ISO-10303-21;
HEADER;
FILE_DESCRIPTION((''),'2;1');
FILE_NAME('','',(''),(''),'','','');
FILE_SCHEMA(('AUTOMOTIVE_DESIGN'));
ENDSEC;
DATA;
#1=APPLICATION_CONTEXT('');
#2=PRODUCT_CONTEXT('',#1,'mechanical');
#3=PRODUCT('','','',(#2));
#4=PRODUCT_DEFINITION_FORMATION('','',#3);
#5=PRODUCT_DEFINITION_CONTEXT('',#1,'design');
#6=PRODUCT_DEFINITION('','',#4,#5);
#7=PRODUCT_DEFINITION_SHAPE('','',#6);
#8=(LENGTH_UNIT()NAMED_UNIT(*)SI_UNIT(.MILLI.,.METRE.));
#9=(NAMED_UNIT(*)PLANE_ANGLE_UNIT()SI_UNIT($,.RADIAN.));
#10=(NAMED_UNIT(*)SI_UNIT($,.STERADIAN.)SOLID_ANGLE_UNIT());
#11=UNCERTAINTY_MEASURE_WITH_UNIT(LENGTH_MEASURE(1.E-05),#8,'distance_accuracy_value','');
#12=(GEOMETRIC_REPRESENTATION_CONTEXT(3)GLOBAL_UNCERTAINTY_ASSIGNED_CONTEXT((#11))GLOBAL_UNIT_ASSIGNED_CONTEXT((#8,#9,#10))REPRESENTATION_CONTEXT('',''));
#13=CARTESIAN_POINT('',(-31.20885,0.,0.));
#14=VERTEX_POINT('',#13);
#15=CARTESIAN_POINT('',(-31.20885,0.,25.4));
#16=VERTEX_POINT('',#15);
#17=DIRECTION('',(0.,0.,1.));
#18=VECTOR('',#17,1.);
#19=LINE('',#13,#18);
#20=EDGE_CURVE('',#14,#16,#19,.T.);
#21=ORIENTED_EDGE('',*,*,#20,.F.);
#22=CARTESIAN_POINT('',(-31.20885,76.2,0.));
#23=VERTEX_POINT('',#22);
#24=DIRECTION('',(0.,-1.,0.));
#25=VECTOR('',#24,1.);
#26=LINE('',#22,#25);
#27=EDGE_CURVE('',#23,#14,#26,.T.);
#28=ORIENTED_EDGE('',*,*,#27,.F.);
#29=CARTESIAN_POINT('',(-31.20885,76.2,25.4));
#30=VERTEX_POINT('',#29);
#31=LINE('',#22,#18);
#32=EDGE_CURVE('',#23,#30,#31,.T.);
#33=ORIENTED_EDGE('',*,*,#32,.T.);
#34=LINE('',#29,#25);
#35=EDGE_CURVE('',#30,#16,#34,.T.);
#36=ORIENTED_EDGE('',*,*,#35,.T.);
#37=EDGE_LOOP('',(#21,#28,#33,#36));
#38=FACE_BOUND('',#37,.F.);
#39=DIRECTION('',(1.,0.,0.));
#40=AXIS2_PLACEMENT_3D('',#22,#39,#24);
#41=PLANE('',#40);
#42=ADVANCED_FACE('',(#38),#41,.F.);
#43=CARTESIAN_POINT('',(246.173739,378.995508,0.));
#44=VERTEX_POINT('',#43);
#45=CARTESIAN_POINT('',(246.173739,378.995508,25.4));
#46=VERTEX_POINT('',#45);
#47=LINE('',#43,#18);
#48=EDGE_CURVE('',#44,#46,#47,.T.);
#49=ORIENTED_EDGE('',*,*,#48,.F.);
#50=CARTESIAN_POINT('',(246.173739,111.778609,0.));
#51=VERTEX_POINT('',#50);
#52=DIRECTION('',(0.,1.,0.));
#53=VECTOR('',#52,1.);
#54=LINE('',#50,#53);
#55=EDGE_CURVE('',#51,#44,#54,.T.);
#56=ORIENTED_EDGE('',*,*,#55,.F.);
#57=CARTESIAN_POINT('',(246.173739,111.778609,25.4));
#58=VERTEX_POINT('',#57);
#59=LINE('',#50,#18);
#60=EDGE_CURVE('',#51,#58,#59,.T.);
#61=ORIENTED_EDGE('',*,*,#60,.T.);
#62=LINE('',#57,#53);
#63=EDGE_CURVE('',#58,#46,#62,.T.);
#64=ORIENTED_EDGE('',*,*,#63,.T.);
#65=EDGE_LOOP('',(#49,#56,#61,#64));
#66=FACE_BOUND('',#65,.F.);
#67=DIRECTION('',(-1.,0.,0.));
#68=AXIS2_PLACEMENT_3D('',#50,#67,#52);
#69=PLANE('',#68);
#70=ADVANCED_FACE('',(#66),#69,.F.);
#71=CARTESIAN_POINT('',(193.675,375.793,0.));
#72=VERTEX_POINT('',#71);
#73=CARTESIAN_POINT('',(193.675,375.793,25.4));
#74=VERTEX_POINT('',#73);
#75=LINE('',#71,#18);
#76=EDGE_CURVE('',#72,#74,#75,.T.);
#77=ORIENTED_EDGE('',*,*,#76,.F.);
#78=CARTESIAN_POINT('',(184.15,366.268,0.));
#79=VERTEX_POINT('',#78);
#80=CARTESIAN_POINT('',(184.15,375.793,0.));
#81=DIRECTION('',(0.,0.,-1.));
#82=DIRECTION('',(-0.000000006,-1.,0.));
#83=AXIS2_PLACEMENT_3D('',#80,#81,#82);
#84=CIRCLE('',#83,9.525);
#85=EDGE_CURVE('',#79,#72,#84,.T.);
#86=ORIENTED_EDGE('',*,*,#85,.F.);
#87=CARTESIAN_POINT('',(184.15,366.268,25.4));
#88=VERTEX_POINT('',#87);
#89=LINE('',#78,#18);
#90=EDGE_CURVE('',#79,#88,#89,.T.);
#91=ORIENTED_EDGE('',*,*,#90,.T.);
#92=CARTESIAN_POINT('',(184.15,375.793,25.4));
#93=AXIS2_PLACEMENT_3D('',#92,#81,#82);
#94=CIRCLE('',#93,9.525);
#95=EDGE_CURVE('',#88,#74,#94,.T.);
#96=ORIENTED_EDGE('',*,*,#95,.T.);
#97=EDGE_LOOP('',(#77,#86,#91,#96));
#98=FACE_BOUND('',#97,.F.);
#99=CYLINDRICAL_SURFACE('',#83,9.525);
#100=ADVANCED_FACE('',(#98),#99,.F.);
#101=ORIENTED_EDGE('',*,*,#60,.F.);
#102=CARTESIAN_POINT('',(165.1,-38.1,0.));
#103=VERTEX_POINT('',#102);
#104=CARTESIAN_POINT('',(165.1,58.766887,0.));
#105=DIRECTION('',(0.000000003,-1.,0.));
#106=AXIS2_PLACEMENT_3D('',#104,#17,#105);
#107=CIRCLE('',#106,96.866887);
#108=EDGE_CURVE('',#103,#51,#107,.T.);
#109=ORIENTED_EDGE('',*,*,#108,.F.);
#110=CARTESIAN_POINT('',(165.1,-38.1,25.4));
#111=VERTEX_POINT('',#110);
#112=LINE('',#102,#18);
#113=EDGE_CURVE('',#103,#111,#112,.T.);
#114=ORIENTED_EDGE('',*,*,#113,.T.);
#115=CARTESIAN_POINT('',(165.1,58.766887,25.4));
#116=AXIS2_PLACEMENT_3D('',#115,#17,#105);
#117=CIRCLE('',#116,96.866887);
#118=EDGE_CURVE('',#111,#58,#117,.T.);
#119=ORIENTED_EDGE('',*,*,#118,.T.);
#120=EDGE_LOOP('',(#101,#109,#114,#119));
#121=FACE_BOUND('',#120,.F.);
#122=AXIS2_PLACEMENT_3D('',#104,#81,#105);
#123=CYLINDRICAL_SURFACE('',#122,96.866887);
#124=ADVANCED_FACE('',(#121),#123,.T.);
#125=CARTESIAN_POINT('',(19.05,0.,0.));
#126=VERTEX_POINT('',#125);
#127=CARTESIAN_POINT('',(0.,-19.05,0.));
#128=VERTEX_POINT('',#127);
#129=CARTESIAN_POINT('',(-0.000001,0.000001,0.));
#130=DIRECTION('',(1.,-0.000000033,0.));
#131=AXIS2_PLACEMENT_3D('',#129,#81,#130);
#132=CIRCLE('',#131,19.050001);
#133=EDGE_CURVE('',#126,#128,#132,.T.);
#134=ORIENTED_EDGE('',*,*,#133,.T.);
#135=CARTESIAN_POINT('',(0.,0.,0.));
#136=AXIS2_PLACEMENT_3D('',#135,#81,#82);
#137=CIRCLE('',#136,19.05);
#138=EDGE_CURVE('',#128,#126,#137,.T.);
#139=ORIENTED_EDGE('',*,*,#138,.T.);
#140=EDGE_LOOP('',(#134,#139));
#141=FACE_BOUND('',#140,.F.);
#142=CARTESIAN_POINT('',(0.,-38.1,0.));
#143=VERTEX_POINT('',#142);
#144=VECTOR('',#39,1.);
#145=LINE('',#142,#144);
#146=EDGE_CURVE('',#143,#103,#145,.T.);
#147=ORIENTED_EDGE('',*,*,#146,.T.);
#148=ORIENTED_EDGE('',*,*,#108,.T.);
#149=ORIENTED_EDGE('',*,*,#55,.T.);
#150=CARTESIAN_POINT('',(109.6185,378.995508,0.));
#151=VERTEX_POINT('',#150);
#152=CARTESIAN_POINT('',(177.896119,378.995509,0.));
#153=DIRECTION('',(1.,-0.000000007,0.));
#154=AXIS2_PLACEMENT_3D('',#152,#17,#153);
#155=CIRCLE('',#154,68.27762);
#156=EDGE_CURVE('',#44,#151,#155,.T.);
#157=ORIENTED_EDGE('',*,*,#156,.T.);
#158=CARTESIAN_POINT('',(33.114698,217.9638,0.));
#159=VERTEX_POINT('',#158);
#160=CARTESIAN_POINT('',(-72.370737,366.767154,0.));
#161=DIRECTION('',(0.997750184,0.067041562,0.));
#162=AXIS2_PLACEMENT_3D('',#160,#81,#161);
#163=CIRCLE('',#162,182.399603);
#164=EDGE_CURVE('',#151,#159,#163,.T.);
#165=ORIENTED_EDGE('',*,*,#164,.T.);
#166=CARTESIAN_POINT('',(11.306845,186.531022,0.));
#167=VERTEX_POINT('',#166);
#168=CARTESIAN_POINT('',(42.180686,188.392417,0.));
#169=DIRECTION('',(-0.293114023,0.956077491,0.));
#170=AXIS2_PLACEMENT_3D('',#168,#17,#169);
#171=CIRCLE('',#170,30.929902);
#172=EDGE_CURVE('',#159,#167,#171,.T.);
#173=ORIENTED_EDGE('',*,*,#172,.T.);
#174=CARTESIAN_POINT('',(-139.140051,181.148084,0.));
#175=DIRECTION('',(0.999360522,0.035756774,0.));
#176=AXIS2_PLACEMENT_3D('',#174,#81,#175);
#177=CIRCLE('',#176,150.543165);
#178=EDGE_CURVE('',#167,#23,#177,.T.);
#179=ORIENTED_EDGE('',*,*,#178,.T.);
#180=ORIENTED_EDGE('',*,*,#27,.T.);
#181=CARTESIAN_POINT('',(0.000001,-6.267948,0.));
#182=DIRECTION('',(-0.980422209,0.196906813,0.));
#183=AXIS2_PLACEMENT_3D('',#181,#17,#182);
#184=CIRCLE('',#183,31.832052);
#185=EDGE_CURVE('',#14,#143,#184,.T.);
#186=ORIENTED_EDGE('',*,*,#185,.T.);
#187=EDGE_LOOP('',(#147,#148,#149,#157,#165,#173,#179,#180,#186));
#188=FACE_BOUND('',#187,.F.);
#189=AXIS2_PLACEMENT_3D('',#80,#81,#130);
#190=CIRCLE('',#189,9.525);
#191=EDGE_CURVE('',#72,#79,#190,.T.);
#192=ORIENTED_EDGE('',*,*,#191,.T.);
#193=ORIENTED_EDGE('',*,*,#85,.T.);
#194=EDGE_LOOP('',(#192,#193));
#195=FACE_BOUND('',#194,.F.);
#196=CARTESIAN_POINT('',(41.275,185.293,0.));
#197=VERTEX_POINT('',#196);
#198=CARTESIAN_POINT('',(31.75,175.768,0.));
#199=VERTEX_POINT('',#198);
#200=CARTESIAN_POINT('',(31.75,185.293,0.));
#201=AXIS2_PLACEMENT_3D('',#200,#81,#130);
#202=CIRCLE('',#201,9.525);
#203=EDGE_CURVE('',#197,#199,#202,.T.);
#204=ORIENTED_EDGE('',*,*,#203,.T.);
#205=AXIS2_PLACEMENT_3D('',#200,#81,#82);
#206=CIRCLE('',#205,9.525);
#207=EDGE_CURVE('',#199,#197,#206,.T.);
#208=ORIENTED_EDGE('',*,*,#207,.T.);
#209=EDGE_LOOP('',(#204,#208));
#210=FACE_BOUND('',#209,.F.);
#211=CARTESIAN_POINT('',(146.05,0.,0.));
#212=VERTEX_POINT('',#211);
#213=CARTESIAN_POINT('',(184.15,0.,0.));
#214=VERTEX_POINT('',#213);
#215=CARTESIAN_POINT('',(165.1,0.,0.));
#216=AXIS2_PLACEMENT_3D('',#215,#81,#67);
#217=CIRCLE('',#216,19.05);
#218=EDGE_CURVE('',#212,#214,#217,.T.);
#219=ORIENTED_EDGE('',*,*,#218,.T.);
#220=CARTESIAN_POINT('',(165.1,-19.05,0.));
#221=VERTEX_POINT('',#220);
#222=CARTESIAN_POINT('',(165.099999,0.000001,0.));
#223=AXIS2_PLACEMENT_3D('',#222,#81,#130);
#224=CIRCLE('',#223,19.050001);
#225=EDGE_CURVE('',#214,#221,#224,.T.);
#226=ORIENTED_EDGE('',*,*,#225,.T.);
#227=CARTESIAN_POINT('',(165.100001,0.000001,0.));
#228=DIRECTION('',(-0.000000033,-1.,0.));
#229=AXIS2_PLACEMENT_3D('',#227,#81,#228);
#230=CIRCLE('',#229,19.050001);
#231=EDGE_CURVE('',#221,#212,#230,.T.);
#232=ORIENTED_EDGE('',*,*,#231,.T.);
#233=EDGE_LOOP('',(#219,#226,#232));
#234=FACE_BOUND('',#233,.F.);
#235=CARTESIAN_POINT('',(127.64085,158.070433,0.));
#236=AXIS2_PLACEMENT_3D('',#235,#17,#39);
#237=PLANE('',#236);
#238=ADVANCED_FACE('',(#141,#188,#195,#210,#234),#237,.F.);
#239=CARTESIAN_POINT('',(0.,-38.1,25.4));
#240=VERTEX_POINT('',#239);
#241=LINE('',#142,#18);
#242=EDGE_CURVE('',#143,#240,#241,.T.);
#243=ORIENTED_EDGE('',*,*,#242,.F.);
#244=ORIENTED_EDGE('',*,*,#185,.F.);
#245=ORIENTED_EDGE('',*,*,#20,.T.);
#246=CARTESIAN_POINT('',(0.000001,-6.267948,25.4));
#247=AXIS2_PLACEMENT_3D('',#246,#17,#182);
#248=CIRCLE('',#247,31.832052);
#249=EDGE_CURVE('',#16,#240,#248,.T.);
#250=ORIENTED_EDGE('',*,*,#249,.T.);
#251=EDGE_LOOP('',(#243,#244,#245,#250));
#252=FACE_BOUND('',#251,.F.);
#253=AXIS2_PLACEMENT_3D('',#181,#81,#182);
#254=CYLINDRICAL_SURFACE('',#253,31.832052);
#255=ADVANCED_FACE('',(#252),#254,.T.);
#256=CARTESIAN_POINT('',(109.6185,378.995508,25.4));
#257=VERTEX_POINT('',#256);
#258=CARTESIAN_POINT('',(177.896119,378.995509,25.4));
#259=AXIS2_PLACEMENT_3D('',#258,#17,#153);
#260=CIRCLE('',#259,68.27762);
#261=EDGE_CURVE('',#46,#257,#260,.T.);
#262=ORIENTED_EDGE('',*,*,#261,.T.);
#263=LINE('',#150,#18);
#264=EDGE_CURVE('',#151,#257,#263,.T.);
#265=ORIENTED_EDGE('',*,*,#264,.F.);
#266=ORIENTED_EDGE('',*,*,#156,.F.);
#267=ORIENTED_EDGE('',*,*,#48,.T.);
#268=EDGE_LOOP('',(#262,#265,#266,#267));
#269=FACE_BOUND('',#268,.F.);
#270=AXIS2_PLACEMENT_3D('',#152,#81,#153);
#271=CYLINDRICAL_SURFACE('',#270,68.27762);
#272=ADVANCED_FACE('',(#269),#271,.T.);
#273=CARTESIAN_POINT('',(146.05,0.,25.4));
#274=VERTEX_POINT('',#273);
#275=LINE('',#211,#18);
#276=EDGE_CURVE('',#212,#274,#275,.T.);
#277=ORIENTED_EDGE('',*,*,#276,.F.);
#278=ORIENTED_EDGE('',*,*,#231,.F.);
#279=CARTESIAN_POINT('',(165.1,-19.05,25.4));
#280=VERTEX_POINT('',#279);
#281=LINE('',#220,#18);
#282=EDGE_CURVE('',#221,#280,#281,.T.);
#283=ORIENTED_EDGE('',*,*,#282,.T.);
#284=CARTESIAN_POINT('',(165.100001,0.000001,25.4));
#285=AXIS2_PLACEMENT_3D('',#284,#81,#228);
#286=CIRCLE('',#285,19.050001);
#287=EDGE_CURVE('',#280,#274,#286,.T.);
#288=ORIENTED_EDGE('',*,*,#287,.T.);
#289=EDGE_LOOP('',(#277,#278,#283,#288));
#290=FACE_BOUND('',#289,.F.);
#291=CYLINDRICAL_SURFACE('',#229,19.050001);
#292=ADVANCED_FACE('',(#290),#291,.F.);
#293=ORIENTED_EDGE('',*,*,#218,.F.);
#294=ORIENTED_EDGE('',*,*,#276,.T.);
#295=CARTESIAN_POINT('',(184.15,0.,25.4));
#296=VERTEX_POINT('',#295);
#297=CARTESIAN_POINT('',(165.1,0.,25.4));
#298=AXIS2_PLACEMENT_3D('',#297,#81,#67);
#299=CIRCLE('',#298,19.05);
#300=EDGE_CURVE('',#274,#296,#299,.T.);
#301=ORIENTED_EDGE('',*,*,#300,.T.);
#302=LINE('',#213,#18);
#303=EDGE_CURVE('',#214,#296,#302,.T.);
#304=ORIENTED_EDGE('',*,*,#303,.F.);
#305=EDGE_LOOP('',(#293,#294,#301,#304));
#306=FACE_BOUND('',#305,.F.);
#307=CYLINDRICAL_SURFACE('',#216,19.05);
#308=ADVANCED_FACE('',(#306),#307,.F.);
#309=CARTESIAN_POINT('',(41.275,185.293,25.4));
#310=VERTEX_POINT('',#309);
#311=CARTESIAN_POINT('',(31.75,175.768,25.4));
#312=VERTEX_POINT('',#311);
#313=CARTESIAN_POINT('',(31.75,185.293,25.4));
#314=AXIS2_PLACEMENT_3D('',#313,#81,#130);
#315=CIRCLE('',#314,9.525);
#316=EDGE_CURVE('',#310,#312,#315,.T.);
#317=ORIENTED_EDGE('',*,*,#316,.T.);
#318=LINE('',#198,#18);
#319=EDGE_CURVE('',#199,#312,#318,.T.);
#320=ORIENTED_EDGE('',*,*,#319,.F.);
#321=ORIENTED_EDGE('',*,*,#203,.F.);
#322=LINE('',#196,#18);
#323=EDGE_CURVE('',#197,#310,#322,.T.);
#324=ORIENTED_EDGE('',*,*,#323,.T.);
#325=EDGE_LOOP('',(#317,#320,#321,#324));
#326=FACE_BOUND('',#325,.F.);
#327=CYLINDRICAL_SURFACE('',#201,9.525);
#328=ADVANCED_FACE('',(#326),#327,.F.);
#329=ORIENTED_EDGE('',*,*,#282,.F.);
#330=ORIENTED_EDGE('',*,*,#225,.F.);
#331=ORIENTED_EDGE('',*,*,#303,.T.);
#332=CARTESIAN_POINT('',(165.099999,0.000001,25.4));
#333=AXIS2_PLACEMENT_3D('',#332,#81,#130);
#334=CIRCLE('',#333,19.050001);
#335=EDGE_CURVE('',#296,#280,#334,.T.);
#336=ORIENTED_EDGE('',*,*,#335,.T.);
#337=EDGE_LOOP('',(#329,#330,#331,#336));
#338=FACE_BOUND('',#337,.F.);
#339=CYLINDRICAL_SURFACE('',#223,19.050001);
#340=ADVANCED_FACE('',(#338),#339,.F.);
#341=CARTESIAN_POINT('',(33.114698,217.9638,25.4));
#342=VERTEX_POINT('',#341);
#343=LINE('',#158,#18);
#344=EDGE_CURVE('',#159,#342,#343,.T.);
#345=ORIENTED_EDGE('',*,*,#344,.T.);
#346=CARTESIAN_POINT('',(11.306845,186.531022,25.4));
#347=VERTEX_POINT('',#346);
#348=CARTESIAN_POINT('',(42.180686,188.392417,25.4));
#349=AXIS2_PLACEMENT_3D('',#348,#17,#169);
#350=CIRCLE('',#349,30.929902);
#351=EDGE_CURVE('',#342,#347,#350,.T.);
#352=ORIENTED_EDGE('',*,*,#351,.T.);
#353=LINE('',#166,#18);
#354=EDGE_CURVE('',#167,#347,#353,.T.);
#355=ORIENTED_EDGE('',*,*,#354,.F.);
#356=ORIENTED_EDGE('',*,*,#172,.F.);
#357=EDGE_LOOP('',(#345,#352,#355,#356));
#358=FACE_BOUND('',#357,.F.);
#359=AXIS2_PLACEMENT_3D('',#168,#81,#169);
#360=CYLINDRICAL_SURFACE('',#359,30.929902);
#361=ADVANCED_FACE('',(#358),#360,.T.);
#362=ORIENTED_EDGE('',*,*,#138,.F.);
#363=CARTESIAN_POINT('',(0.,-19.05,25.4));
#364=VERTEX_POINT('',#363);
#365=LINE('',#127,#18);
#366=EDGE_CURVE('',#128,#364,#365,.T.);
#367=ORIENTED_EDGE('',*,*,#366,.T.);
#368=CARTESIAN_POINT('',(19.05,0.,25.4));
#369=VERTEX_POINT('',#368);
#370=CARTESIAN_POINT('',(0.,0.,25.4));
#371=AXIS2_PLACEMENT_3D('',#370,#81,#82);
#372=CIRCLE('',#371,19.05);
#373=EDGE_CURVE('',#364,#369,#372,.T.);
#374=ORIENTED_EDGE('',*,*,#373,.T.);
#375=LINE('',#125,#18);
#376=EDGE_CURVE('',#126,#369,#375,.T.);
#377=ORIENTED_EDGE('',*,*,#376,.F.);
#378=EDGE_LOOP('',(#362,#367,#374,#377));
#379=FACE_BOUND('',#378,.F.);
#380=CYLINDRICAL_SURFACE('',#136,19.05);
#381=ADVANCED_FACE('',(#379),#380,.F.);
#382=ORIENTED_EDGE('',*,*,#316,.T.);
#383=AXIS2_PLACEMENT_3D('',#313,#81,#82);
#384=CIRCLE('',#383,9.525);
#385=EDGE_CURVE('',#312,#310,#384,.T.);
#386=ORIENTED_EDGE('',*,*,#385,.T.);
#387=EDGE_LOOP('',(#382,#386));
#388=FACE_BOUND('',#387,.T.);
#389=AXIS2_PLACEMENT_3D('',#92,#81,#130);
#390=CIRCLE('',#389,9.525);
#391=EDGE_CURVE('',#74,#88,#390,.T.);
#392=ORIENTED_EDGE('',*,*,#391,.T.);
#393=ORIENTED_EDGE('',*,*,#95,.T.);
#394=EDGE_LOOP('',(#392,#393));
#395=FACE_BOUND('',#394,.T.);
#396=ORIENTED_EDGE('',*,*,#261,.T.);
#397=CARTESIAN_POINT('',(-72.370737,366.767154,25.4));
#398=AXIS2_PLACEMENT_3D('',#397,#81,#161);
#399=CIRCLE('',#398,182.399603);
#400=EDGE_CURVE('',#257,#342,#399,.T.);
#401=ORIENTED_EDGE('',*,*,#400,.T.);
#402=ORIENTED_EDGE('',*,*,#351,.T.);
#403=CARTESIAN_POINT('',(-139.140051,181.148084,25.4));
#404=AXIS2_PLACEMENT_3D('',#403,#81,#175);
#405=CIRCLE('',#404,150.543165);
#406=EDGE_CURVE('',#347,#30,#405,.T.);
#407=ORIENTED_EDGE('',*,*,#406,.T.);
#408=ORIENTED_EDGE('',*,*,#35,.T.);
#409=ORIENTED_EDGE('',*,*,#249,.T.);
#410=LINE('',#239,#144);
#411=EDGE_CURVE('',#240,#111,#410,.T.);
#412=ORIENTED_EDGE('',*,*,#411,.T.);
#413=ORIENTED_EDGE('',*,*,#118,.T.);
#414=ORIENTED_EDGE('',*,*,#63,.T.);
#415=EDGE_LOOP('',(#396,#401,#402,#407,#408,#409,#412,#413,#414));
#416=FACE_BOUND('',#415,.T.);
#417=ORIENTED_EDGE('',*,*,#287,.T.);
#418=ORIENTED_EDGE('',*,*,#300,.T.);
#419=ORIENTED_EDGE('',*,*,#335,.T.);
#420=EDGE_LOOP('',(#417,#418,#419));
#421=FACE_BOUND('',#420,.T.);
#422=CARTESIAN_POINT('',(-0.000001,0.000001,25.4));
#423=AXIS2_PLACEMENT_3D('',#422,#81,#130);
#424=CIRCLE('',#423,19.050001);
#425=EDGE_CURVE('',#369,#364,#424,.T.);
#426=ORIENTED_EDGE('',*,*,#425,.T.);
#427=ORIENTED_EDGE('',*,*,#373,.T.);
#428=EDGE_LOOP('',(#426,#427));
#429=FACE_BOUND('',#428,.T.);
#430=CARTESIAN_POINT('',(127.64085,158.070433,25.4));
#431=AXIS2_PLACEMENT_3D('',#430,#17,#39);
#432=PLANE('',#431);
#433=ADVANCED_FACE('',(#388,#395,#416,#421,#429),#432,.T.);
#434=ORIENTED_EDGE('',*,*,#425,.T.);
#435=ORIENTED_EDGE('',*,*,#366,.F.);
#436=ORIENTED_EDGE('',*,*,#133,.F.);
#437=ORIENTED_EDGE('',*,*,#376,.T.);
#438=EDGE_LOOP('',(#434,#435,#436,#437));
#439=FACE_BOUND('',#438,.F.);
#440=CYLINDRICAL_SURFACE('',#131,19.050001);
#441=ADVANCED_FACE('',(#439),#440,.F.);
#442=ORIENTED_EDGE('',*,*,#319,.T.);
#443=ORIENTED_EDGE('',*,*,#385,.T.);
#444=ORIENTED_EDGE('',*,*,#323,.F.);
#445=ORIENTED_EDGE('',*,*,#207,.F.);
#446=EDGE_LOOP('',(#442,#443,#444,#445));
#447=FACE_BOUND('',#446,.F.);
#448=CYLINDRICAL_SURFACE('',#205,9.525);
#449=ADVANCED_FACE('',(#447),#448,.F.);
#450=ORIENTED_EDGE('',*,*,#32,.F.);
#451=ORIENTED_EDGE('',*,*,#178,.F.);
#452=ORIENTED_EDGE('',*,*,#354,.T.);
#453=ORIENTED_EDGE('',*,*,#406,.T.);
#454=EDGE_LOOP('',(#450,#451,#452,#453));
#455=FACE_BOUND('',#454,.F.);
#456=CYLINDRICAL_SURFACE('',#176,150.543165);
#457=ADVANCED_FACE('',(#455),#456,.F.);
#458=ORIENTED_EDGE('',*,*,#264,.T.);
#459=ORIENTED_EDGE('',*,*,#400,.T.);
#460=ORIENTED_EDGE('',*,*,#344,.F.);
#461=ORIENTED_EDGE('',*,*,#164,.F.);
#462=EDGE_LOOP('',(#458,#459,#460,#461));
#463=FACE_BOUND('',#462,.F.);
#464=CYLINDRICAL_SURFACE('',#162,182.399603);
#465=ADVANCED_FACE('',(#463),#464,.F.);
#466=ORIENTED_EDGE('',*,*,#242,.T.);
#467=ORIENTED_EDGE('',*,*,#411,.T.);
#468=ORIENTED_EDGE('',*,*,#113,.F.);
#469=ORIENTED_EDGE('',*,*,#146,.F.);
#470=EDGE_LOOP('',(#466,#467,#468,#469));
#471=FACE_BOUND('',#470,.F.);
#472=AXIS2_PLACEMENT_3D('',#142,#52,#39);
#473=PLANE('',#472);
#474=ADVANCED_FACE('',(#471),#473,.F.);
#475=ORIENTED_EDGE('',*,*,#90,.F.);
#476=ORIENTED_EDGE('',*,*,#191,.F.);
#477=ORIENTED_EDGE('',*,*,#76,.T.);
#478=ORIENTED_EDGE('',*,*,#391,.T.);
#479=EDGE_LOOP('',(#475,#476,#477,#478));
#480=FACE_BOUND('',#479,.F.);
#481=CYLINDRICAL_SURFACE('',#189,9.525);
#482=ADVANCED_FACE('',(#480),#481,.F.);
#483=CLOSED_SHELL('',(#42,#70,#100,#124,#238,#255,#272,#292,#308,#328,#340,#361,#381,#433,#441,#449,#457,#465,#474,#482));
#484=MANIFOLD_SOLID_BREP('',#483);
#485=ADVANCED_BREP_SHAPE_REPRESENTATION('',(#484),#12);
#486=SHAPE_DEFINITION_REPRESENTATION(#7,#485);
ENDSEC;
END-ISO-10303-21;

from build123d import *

# Parameters (mm, degrees)
F1_DEPTH = 25.4


with BuildPart() as f1:
    # F0 (on Top) → F1 (new body)
    with BuildSketch(Plane.XY):
        with BuildLine():
            ThreePointArc((0, -19.05), (-13.470384, 13.470384), (19.05, 0))
            Line((19.05, 0), (107.95, 0))
            Line((107.95, 0), (146.05, 0))
            ThreePointArc((146.05, 0), (165.1, 19.05), (184.15, 0))
            ThreePointArc((184.15, 0), (178.570384, -13.470384), (165.1, -19.05))
            Line((165.1, -19.05), (165.1, -38.1))
            ThreePointArc((165.1, -38.1), (250.30057, 12.679398), (246.173739, 111.778609))
            Line((246.173739, 111.778609), (246.173739, 378.995508))
            ThreePointArc((246.173739, 378.995508), (177.89612, 447.273128), (109.6185, 378.995508))
            ThreePointArc((109.6185, 378.995508), (92.381272, 288.495891), (33.114698, 217.9638))
            ThreePointArc((33.114698, 217.9638), (16.768044, 206.023539), (11.306845, 186.531022))
            ThreePointArc((11.306845, 186.531022), (1.334302, 127.016756), (-31.20885, 76.2))
            Line((-31.20885, 76.2), (-31.20885, 0))
            ThreePointArc((-31.20885, 0), (-24.625202, -26.439188), (0, -38.1))
            Line((0, -38.1), (0, -19.05))
        make_face()
        with BuildLine():
            ThreePointArc((41.275, 185.293), (38.485192, 178.557808), (31.75, 175.768))
            ThreePointArc((31.75, 175.768), (25.014808, 192.028192), (41.275, 185.293))
        make_face(mode=Mode.SUBTRACT)
        with BuildLine():
            ThreePointArc((193.675, 375.793), (190.885192, 369.057808), (184.15, 366.268))
            ThreePointArc((184.15, 366.268), (177.414808, 382.528192), (193.675, 375.793))
        make_face(mode=Mode.SUBTRACT)
        with BuildLine():
            Line((107.95, 0), (19.05, 0))
            ThreePointArc((19.05, 0), (13.470384, -13.470384), (0, -19.05))
            Line((0, -19.05), (0, -38.1))
            Line((0, -38.1), (165.1, -38.1))
            Line((165.1, -38.1), (165.1, -19.05))
            ThreePointArc((165.1, -19.05), (151.629616, -13.470384), (146.05, 0))
            Line((146.05, 0), (107.95, 0))
        make_face()
    extrude(amount=F1_DEPTH)


solid = f1.part
